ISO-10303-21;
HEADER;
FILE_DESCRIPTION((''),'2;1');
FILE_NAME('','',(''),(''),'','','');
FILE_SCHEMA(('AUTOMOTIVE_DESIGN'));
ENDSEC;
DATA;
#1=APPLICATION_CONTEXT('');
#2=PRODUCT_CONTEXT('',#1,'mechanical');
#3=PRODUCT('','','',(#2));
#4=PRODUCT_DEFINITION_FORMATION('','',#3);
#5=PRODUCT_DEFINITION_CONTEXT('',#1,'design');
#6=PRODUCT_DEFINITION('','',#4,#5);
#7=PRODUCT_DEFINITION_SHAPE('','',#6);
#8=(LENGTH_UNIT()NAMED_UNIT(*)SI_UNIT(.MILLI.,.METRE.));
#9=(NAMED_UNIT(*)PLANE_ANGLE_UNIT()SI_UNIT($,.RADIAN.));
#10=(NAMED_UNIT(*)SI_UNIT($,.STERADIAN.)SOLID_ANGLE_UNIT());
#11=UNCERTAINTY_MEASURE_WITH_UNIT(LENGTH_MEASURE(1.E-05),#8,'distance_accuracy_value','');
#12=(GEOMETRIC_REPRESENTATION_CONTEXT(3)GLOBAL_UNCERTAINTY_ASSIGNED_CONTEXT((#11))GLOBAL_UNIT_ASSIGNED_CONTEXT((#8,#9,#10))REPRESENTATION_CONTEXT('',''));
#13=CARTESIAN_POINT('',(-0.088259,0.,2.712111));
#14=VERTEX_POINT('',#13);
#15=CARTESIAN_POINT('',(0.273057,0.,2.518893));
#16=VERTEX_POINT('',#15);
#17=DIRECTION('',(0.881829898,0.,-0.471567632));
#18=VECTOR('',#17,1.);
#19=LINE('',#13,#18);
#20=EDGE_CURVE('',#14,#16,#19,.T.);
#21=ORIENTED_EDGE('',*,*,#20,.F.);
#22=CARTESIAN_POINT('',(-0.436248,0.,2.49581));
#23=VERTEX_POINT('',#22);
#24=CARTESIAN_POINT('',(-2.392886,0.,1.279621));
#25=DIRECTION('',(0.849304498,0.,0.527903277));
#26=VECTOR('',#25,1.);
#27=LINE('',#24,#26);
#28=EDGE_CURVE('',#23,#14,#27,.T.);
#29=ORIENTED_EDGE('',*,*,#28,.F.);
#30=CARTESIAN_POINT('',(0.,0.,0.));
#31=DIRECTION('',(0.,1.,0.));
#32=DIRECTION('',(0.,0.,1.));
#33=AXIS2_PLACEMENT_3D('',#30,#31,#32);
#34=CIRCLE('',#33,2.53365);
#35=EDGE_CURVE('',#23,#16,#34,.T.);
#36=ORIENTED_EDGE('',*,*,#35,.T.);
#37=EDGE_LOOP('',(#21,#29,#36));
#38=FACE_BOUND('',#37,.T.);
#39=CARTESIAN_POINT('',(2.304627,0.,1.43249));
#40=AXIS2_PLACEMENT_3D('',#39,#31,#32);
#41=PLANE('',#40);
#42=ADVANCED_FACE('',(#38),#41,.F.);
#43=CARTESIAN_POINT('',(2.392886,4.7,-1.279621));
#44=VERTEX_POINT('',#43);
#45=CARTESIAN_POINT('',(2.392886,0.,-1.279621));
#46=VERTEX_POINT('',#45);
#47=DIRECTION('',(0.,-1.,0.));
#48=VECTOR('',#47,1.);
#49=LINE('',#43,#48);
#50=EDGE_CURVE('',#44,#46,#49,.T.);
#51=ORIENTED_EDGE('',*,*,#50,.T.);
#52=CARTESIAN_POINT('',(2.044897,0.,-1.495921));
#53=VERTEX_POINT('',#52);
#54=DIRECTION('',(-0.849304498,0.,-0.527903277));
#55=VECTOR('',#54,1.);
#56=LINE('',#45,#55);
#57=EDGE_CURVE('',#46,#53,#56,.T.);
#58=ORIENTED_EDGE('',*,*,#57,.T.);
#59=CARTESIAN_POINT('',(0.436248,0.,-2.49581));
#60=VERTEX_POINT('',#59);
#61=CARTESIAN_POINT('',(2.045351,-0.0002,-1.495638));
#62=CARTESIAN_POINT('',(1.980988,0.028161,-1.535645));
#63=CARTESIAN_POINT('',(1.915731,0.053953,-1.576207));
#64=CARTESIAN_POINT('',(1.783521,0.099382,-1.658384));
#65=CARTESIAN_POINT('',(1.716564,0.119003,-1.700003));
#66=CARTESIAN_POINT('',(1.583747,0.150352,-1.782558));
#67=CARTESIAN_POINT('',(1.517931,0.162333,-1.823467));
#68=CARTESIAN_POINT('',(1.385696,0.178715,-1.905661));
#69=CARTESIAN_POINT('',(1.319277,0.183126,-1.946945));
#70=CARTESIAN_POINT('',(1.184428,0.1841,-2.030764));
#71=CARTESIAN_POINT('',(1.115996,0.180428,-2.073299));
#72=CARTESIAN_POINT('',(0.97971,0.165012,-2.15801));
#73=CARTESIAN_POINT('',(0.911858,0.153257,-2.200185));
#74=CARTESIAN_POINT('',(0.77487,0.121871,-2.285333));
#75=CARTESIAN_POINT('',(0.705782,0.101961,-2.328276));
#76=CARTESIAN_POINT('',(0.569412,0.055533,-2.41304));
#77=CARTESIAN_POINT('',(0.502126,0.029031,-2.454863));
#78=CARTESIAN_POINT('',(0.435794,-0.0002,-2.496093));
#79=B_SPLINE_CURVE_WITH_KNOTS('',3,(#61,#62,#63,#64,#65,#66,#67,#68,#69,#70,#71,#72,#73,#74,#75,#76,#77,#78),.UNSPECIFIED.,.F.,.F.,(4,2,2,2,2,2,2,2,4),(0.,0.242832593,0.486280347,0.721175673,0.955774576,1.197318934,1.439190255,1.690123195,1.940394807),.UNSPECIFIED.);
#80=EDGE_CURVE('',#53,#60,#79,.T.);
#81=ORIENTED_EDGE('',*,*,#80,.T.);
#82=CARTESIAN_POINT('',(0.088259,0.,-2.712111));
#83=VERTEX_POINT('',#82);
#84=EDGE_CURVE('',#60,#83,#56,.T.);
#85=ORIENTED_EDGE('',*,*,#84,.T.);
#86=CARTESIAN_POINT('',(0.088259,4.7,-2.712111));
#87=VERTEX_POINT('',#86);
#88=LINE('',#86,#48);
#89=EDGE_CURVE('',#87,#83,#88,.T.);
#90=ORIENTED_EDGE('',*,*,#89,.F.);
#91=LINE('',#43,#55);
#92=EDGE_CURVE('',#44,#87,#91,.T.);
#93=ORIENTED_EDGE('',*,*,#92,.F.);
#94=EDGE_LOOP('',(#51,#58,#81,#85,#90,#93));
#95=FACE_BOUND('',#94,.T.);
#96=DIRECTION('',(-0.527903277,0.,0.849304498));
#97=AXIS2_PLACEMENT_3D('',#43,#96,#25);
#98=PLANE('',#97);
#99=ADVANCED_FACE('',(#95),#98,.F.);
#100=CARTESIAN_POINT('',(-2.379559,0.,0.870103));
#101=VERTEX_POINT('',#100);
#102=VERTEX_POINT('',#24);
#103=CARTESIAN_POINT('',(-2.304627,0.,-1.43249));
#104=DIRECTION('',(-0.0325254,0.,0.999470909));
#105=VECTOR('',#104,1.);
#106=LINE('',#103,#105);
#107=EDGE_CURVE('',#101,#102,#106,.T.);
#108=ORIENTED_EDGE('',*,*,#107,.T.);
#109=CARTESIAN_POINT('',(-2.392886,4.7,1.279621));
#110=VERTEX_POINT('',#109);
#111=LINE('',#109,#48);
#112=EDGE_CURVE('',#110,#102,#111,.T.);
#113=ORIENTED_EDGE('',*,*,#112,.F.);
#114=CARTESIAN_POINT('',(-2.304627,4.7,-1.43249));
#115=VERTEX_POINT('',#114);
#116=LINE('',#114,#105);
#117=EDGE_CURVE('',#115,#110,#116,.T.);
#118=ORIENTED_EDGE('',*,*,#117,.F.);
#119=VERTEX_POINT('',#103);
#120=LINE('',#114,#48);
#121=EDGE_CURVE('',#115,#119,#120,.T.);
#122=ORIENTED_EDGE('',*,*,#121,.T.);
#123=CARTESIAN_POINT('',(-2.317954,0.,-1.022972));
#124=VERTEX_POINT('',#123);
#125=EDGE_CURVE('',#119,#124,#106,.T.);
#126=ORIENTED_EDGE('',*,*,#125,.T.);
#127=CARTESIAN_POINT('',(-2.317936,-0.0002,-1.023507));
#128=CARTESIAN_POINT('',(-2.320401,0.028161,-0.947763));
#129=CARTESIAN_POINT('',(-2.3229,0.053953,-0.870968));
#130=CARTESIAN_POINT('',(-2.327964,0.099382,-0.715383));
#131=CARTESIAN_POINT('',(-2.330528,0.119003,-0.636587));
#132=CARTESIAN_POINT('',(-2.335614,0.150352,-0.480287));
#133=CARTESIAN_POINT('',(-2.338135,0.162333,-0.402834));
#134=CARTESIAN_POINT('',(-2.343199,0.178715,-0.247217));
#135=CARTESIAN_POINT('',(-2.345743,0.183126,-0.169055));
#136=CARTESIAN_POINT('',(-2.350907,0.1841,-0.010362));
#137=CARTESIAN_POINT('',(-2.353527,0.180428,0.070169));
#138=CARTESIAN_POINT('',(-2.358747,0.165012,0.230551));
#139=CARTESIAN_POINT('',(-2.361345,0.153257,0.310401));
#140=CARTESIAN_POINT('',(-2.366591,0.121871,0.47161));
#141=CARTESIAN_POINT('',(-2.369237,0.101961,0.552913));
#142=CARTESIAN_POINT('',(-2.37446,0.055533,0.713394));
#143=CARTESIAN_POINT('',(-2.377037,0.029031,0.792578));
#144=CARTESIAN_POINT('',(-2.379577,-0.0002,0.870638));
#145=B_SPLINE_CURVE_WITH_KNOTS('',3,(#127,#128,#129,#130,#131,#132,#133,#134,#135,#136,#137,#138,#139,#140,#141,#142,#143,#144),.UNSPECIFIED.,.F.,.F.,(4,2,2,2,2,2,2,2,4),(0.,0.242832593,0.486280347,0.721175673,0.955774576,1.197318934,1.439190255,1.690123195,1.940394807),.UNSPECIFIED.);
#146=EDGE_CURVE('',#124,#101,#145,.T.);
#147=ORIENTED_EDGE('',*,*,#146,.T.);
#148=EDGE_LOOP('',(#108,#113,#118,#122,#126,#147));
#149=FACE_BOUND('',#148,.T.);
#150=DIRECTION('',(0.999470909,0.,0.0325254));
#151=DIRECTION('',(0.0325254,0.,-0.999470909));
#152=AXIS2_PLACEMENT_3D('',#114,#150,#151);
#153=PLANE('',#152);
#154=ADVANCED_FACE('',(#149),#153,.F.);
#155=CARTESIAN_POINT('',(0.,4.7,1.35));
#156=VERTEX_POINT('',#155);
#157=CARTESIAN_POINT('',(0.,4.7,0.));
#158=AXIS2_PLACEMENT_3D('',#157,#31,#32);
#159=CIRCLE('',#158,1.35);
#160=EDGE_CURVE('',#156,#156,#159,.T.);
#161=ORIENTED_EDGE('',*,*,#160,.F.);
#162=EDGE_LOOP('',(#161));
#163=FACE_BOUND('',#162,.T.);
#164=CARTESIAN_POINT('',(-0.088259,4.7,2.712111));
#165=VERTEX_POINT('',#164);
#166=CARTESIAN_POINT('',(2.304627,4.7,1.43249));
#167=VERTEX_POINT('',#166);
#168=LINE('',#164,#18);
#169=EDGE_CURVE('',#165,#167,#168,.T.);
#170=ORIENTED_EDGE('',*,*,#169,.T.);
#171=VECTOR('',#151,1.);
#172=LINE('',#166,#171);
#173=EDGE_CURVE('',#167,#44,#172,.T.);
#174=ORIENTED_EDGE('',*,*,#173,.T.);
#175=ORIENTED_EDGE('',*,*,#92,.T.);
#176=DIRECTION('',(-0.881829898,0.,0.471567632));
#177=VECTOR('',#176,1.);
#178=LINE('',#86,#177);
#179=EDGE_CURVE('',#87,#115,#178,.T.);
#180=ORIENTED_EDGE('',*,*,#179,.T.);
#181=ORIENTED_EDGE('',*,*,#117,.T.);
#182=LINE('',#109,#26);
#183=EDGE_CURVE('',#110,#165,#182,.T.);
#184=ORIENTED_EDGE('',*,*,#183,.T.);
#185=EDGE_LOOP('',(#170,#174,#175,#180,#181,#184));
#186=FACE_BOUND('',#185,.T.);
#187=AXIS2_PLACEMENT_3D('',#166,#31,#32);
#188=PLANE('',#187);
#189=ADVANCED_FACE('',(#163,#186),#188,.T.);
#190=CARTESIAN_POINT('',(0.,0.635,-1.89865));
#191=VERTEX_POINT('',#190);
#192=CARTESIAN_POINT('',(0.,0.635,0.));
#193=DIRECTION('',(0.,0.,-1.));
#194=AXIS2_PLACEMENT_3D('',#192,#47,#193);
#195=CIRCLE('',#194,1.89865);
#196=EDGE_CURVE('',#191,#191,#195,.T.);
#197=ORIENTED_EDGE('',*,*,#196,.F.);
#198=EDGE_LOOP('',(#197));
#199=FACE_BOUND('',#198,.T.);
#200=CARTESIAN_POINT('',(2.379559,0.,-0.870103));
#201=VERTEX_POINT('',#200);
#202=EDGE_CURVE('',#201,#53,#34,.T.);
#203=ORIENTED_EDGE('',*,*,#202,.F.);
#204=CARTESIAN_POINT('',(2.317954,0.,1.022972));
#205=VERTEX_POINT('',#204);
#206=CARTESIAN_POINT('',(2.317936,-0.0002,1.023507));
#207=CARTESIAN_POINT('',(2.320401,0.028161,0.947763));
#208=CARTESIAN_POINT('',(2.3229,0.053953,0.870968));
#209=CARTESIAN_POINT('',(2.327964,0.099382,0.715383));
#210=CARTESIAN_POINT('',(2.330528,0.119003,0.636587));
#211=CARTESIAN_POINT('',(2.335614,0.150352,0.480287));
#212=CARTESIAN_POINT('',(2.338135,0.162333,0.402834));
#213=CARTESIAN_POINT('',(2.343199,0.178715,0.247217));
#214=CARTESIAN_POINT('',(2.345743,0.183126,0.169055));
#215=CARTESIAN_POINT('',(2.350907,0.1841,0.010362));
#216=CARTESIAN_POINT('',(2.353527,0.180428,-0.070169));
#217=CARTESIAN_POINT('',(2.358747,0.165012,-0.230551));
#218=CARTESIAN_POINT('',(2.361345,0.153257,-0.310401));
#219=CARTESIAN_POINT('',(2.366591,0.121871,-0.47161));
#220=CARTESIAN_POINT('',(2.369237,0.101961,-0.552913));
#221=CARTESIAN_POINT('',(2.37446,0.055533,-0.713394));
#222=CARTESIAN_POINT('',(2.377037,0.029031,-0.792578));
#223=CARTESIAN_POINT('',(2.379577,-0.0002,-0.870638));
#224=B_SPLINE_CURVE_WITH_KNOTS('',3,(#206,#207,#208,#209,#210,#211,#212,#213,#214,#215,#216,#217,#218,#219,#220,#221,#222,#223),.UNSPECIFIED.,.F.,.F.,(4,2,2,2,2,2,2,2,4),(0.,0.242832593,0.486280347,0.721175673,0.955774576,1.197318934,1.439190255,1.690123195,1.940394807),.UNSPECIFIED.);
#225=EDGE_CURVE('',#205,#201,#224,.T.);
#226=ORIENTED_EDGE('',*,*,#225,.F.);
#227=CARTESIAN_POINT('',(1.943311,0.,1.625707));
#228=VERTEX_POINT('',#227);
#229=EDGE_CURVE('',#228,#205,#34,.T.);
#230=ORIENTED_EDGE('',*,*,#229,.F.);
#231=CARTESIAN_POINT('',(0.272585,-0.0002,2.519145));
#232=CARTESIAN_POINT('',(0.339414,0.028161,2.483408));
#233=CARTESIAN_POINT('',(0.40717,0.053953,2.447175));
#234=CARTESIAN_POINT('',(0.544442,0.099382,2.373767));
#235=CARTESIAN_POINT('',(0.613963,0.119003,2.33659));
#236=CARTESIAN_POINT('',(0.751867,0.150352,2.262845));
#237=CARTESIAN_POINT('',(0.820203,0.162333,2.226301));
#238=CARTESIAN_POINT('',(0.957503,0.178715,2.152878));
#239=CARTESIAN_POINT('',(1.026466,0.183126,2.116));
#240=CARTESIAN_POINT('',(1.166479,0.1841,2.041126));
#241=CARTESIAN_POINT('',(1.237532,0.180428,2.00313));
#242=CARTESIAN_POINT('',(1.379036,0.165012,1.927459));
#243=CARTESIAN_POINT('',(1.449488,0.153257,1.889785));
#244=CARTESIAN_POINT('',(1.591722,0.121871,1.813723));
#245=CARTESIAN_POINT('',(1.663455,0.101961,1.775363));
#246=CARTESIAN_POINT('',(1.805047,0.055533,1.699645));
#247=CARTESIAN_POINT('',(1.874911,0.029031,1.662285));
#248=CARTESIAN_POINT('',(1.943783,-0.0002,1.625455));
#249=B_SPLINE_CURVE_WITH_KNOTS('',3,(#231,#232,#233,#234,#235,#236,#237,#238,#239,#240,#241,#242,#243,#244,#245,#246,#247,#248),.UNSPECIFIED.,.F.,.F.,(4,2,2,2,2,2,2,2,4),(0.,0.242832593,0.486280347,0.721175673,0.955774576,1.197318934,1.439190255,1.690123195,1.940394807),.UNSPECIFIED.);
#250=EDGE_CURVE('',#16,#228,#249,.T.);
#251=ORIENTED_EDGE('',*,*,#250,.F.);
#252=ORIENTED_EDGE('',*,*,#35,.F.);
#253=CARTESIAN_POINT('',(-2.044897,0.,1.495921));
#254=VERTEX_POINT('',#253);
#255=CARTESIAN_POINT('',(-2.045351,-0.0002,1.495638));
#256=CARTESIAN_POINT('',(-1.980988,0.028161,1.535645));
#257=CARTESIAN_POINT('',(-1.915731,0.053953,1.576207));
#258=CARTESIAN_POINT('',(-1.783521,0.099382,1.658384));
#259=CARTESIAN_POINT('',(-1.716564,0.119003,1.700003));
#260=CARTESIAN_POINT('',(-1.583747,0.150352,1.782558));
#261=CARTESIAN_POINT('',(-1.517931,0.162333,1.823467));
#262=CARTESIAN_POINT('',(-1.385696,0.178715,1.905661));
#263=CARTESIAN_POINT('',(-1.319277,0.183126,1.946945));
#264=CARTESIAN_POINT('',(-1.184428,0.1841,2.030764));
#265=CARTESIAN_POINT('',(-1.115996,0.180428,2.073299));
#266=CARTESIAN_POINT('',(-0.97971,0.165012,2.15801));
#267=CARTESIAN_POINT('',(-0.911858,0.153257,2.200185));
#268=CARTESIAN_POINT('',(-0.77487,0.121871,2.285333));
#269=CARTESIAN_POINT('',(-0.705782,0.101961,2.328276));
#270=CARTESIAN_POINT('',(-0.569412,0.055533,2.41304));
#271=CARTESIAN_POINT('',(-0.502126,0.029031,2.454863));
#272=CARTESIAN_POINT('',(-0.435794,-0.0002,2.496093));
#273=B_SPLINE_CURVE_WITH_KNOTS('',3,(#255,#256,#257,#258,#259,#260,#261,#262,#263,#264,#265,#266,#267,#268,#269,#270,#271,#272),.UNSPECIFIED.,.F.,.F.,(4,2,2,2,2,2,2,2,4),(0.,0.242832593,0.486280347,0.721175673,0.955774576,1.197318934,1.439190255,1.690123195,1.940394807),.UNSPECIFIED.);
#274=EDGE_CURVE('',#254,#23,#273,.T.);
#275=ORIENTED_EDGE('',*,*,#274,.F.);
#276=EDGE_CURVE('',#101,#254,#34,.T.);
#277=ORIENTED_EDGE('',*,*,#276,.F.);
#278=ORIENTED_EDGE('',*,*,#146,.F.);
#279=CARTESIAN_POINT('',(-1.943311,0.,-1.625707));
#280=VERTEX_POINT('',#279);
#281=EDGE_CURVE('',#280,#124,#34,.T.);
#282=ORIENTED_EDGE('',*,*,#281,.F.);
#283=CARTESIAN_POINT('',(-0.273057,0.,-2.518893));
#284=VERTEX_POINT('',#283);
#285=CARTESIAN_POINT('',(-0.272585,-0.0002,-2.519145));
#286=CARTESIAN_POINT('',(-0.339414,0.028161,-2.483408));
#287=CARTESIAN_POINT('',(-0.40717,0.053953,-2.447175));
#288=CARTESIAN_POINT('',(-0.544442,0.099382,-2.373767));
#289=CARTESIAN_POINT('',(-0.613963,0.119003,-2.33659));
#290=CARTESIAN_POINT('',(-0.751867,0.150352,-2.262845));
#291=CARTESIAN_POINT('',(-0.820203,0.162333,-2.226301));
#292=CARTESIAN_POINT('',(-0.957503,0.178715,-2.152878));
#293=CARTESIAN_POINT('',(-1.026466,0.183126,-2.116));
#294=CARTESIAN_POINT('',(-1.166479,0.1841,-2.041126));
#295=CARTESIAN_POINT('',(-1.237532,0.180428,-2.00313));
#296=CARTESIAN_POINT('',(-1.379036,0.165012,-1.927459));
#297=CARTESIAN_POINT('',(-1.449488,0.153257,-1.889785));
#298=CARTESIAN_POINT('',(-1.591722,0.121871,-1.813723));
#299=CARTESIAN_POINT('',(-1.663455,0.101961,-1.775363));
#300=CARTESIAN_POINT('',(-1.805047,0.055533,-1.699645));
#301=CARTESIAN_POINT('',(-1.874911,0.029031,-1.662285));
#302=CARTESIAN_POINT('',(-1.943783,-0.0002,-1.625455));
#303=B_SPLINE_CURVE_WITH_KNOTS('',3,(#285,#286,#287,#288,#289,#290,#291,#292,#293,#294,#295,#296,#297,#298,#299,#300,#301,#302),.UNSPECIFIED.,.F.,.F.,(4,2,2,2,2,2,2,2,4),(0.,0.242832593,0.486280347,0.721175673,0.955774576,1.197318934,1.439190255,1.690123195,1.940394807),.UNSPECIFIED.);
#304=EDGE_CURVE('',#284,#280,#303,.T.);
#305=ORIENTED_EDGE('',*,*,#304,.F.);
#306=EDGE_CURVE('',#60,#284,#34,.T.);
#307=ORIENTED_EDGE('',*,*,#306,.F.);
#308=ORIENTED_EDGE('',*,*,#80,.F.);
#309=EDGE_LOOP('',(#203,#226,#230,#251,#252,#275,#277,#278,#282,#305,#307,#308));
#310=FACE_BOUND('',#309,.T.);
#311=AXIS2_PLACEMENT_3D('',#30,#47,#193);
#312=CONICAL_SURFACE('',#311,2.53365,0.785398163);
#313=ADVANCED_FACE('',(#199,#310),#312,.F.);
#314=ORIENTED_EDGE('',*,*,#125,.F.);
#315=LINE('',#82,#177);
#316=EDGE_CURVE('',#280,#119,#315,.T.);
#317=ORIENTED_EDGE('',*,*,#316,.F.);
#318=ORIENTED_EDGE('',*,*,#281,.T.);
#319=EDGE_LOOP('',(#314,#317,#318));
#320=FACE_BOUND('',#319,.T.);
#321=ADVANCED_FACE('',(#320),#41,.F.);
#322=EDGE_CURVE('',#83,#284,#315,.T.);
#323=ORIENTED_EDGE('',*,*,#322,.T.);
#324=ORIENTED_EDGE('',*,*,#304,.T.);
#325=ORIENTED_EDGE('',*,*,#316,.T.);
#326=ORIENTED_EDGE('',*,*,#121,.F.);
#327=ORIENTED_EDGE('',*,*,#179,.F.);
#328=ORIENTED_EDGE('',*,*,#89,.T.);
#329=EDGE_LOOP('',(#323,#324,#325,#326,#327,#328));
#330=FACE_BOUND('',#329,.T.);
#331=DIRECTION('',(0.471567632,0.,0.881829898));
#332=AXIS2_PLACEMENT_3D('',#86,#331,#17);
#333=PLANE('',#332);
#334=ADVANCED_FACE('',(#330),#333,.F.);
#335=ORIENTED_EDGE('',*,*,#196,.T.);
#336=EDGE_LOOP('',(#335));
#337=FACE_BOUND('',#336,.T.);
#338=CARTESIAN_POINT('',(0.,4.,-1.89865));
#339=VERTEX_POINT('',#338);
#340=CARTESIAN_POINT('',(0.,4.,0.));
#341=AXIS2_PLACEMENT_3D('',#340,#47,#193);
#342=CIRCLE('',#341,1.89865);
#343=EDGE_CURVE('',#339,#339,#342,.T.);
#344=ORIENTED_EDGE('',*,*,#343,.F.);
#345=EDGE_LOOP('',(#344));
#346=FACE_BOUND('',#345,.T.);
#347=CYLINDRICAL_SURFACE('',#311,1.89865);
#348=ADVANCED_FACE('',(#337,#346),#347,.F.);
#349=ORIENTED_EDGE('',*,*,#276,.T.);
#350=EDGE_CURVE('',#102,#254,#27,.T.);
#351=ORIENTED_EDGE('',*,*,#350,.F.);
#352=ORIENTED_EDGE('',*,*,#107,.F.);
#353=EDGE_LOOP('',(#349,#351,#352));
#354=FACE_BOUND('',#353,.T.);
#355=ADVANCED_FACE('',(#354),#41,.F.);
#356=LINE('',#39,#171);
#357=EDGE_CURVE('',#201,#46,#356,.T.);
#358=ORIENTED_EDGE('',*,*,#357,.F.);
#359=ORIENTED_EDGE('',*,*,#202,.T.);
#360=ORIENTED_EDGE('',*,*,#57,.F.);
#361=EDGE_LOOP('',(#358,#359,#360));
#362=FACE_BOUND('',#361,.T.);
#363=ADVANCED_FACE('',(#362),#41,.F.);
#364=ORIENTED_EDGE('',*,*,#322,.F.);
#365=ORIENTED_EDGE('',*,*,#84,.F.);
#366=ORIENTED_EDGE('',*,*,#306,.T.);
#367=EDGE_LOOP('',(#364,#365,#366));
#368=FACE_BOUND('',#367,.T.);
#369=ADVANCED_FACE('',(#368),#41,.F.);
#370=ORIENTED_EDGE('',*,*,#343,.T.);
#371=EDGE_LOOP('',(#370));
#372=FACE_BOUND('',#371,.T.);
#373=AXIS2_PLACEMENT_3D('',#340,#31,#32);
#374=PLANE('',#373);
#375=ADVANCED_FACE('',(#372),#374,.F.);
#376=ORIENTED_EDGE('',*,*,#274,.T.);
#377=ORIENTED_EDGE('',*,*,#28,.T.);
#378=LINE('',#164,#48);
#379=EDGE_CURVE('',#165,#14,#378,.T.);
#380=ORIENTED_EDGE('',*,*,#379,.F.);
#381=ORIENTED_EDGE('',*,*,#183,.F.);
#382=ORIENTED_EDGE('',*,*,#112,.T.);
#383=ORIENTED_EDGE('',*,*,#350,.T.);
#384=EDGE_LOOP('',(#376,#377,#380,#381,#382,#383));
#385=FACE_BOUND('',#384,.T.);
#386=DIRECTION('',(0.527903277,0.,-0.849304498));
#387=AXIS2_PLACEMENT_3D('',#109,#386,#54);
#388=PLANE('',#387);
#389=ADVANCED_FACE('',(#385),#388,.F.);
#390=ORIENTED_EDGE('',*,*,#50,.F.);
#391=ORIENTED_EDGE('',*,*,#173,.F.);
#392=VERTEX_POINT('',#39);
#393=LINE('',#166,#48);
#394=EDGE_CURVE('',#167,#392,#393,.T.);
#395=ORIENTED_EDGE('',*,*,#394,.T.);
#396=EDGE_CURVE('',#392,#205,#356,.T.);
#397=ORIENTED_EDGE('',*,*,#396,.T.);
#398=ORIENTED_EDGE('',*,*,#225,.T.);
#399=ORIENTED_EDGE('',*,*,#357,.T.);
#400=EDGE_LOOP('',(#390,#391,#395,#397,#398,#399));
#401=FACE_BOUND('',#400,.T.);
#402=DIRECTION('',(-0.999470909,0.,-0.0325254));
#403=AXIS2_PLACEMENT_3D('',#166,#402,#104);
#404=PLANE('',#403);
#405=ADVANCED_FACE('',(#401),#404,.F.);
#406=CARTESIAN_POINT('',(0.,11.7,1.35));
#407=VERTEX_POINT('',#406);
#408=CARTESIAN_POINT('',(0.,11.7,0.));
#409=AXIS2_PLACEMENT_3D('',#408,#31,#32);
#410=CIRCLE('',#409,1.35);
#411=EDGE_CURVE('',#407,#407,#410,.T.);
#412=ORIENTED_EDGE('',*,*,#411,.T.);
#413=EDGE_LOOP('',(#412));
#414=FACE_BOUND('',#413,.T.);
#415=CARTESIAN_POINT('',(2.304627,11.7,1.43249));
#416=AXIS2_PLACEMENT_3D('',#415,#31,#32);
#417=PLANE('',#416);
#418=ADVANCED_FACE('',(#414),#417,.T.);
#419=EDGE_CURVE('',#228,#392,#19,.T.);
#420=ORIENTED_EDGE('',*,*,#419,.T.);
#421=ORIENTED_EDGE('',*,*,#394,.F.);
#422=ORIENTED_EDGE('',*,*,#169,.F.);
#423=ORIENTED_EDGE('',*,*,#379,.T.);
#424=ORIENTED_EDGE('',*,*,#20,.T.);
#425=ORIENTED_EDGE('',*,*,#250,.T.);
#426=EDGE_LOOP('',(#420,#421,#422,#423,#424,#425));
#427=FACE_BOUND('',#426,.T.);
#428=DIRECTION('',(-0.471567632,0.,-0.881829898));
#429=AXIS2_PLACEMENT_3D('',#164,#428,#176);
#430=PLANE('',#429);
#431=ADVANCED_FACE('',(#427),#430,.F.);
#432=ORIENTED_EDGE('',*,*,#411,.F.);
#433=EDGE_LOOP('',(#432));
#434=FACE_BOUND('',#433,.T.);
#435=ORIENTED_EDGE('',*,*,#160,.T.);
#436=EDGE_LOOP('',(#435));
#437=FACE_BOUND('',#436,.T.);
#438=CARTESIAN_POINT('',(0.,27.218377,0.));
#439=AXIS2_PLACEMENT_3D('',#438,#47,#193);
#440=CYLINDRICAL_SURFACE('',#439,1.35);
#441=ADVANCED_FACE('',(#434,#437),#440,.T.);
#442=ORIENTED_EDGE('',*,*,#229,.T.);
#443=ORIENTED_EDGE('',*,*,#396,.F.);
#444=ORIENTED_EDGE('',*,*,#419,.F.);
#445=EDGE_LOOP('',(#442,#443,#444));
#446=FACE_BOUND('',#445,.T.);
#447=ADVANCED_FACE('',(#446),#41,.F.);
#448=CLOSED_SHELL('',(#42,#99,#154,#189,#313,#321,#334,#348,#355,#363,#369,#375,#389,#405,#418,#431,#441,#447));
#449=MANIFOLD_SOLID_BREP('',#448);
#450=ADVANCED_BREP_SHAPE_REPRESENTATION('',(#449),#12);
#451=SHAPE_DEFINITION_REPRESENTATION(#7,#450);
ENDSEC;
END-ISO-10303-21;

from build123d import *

# Parameters (mm, degrees)
EXTRUDE_1_DEPTH                 = 4.7
HOLE_WIZARD_10_24_1_D           = 3.7973
HOLE_WIZARD_10_24_1_DEPTH       = 4
HOLE_WIZARD_10_24_1_CSINK_D     = 5.0673
HOLE_WIZARD_10_24_1_CSINK_ANGLE = 90
SKETCH_5_R                      = 1.35
EXTRUDE_2_DEPTH                 = 7


with BuildPart() as part:
    # 草图1 → 凸台-拉伸1 (new body)
    with BuildSketch(Plane(origin=(0, 0, 0), x_dir=(1, 0, 0), z_dir=(0, 1, 0))):
        Polygon((2.304627048, -1.432489966), (2.392886225, 1.279620587), (0.088259177, 2.712110553), (-2.304627048, 1.432489966), (-2.392886225, -1.279620587), (-0.088259177, -2.712110553), align=None)
    extrude(amount=EXTRUDE_1_DEPTH)

    # #10-24 螺纹孔1
    with Locations(Plane.XZ):
        with Locations((0, 0)):
            CounterSinkHole(HOLE_WIZARD_10_24_1_D / 2, HOLE_WIZARD_10_24_1_CSINK_D / 2, depth=HOLE_WIZARD_10_24_1_DEPTH, counter_sink_angle=HOLE_WIZARD_10_24_1_CSINK_ANGLE)

    # 草图5 → 凸台-拉伸2 (add)
    with BuildSketch(Plane(origin=(0, 4.7, 0), x_dir=(-1, 0, 0), z_dir=(0, 1, 0))):
        with Locations(Location((0, 0, 0), (0, 0, 90))):
            Circle(SKETCH_5_R)
    extrude(amount=EXTRUDE_2_DEPTH)


solid = part.part
